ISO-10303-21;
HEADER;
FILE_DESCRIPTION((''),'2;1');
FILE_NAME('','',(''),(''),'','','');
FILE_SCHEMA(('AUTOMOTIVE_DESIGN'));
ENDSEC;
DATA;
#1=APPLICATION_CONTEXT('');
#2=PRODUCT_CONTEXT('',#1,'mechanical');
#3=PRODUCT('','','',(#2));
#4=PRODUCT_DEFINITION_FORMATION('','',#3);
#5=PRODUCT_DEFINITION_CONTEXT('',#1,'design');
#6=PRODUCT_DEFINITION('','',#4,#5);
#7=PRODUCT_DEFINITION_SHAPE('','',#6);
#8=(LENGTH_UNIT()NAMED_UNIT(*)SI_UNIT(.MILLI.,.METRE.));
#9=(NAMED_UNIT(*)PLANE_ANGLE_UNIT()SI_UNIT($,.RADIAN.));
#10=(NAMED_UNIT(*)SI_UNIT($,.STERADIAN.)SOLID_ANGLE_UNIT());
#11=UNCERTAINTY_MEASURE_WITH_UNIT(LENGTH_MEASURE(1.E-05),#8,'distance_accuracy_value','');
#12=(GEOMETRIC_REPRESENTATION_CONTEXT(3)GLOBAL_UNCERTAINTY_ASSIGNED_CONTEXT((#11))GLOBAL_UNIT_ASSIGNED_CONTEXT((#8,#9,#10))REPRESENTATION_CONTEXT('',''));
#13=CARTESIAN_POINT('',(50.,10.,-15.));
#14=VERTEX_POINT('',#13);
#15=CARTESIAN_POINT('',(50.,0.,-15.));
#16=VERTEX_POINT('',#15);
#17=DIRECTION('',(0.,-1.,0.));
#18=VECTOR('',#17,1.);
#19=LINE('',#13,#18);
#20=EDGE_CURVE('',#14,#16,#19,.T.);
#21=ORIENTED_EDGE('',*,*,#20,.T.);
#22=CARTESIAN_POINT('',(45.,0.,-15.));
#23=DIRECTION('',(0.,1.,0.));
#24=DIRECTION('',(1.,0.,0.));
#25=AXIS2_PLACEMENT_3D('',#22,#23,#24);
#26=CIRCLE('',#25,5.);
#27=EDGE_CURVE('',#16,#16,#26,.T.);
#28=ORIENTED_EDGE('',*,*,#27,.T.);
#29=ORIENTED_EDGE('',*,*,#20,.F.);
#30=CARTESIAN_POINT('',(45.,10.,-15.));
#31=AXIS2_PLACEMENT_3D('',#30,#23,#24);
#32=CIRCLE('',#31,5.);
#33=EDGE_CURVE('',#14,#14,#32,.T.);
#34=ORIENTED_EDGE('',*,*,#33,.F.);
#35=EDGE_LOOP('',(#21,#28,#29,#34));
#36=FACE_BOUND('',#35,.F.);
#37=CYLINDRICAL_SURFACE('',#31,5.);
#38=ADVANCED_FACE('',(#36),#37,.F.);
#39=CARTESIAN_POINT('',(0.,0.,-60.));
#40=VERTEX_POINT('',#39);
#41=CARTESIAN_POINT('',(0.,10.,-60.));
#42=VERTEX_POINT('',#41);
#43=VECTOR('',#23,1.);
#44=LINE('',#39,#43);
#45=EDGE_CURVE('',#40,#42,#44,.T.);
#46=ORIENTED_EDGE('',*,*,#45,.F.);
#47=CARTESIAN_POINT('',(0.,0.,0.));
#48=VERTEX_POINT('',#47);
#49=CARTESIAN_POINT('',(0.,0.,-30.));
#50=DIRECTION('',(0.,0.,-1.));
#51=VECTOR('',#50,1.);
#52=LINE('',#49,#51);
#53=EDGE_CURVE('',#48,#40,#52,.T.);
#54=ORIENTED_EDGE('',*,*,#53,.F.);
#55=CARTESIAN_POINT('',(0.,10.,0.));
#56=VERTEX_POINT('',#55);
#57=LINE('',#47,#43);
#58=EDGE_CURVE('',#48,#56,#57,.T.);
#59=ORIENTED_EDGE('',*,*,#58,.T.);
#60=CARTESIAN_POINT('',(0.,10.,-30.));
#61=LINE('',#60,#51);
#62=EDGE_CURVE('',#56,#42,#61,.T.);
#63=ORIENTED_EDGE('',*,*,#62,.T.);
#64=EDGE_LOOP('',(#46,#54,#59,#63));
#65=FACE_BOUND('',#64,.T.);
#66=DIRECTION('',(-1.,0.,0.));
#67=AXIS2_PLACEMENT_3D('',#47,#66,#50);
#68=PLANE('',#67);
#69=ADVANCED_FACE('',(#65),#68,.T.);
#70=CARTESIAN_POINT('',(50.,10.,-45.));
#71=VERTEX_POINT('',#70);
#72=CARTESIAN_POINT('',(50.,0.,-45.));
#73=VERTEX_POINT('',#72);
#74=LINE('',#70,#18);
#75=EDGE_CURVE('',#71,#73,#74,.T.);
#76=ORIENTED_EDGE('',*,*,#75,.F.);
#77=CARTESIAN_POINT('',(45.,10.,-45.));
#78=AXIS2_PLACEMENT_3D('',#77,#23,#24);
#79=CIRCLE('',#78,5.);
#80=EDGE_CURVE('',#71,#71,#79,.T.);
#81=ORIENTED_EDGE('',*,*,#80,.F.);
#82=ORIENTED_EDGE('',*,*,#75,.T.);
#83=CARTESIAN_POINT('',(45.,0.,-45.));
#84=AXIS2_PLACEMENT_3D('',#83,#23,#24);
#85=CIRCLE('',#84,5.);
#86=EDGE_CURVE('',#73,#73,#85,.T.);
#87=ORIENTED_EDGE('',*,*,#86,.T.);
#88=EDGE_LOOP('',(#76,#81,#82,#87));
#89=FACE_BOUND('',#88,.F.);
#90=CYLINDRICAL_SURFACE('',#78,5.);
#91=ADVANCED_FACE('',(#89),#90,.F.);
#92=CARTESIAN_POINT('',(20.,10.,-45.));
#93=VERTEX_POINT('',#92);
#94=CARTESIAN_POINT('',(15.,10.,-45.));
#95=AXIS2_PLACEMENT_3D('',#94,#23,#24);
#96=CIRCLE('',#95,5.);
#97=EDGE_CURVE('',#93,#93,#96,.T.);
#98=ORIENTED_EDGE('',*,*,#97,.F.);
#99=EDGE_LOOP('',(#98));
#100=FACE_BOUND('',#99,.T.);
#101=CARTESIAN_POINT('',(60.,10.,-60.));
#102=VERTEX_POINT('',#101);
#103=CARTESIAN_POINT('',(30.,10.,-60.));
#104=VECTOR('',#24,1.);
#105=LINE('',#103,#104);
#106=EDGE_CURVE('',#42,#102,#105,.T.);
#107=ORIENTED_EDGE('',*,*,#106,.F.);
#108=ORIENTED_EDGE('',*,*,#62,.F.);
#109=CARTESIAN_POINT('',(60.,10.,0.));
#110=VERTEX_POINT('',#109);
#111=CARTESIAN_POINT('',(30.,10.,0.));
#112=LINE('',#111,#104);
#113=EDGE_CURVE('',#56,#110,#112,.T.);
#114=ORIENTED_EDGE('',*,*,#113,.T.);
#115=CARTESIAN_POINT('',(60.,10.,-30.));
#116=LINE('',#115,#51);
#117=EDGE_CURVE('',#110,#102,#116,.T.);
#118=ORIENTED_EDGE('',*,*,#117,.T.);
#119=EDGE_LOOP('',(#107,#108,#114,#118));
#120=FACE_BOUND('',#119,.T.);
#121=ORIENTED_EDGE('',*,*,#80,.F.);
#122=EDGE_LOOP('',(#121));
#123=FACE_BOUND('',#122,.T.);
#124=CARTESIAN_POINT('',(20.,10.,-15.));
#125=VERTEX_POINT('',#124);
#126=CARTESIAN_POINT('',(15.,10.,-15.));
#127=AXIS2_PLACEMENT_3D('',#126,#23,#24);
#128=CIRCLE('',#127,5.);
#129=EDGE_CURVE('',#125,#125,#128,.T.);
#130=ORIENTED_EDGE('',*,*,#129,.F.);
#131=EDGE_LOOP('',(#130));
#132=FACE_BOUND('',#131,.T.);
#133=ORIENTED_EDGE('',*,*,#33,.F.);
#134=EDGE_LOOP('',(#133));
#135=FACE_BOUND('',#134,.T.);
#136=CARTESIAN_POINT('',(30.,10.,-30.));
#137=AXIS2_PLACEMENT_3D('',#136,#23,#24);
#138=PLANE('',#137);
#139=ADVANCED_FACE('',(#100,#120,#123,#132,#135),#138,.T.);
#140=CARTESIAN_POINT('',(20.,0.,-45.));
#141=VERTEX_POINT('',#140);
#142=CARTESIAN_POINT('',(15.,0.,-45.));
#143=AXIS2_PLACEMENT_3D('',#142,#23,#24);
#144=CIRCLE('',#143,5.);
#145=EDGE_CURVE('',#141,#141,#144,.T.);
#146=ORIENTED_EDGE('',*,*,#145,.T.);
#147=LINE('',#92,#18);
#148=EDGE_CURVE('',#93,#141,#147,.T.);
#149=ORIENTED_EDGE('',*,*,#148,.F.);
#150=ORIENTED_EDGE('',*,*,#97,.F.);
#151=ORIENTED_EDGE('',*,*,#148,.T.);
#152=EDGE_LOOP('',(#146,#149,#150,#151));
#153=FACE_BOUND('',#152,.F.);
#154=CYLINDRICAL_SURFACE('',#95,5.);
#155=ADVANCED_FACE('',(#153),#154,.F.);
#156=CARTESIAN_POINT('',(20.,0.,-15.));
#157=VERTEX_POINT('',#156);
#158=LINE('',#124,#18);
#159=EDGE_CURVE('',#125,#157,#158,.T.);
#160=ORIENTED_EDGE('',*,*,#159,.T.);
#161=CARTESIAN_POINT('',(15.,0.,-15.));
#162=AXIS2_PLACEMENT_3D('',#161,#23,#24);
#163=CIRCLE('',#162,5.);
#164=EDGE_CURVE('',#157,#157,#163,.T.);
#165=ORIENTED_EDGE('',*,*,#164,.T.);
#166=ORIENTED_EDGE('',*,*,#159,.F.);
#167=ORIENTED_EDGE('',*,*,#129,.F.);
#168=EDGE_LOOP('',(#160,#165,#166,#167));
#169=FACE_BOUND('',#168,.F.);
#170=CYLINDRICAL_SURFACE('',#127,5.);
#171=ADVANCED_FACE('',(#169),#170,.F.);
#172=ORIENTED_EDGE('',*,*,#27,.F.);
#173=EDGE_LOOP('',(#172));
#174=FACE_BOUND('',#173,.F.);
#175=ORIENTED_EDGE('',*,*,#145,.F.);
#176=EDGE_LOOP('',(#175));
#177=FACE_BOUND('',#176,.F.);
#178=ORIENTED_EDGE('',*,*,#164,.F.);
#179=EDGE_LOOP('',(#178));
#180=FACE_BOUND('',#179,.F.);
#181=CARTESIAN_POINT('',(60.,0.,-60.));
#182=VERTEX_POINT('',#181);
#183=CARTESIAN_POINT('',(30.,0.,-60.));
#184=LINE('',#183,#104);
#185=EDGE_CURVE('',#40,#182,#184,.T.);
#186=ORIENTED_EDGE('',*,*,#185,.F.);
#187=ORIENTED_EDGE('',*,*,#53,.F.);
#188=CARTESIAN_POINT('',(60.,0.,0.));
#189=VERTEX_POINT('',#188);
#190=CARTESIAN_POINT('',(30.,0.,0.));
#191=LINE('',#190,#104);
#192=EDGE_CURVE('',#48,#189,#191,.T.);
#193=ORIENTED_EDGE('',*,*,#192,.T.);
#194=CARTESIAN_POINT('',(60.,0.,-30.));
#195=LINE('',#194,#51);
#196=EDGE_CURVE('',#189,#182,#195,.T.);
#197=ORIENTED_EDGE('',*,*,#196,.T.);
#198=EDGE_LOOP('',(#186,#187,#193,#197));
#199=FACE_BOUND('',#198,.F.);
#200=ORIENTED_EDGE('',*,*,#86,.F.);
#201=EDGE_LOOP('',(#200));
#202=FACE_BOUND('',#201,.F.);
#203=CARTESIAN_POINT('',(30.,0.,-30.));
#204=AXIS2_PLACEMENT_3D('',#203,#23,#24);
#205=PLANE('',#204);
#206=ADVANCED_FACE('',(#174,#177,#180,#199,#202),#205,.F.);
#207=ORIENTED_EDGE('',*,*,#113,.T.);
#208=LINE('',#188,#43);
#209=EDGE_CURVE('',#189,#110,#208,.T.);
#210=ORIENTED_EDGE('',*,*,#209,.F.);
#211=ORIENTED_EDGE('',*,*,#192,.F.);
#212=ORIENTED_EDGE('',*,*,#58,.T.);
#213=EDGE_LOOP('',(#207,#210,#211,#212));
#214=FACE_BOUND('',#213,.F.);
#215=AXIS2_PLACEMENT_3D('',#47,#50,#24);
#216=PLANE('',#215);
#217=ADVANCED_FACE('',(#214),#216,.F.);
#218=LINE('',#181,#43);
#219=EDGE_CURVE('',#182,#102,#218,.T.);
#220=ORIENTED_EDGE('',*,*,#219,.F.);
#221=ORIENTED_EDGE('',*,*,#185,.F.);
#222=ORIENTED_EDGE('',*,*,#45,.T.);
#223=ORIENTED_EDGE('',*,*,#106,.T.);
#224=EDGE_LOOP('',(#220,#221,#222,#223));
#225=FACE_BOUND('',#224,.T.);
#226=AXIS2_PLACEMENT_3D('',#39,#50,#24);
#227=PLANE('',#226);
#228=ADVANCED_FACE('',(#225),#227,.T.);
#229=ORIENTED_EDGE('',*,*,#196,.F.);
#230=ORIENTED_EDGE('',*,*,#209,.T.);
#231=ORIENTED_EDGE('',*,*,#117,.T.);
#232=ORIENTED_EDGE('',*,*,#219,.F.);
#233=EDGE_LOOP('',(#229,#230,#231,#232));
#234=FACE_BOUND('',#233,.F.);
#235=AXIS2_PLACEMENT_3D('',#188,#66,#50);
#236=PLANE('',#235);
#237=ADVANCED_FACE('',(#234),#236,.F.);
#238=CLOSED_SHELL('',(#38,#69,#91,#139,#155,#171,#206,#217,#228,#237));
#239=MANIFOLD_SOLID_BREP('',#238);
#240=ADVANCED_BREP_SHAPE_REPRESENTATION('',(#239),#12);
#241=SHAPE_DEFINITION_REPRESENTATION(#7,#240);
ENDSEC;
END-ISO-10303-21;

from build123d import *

# Parameters (mm, degrees)
SKETCH1_W            = 60
SKETCH1_H            = 60
BOSS_EXTRUDE1_DEPTH  = 10
SKETCH2_R            = 5
CUT_EXTRUDE1_DEPTH   = 11
LPATTERN1_COUNT      = 4
LPATTERN1_PITCH      = 30
LPATTERN1_COUNT_DIR2 = 4
LPATTERN1_PITCH_DIR2 = 30


with BuildPart() as part:
    # Sketch1 → Boss-Extrude1 (new body)
    with BuildSketch(Plane(origin=(0, 0, 0), x_dir=(1, 0, 0), z_dir=(0, 1, 0))):
        with Locations((30, 30)):
            Rectangle(SKETCH1_W, SKETCH1_H)
    extrude(amount=BOSS_EXTRUDE1_DEPTH)

    # Sketch2 → Cut-Extrude1 (cut, through all)
    with BuildSketch(Plane(origin=(0, 10, 0), x_dir=(1, 0, 0), z_dir=(0, 1, 0))):
        with Locations((15, 15)):
            Circle(SKETCH2_R)
    cut_extrude1 = extrude(amount=-CUT_EXTRUDE1_DEPTH, mode=Mode.SUBTRACT)

    # LPattern1: Cut-Extrude1 4 × 4
    with Locations(*[(i * LPATTERN1_PITCH, 0, -j * LPATTERN1_PITCH_DIR2) for i in range(LPATTERN1_COUNT) for j in range(LPATTERN1_COUNT_DIR2) if (i, j) != (0, 0)]):
        add(cut_extrude1, mode=Mode.SUBTRACT)


solid = part.part
